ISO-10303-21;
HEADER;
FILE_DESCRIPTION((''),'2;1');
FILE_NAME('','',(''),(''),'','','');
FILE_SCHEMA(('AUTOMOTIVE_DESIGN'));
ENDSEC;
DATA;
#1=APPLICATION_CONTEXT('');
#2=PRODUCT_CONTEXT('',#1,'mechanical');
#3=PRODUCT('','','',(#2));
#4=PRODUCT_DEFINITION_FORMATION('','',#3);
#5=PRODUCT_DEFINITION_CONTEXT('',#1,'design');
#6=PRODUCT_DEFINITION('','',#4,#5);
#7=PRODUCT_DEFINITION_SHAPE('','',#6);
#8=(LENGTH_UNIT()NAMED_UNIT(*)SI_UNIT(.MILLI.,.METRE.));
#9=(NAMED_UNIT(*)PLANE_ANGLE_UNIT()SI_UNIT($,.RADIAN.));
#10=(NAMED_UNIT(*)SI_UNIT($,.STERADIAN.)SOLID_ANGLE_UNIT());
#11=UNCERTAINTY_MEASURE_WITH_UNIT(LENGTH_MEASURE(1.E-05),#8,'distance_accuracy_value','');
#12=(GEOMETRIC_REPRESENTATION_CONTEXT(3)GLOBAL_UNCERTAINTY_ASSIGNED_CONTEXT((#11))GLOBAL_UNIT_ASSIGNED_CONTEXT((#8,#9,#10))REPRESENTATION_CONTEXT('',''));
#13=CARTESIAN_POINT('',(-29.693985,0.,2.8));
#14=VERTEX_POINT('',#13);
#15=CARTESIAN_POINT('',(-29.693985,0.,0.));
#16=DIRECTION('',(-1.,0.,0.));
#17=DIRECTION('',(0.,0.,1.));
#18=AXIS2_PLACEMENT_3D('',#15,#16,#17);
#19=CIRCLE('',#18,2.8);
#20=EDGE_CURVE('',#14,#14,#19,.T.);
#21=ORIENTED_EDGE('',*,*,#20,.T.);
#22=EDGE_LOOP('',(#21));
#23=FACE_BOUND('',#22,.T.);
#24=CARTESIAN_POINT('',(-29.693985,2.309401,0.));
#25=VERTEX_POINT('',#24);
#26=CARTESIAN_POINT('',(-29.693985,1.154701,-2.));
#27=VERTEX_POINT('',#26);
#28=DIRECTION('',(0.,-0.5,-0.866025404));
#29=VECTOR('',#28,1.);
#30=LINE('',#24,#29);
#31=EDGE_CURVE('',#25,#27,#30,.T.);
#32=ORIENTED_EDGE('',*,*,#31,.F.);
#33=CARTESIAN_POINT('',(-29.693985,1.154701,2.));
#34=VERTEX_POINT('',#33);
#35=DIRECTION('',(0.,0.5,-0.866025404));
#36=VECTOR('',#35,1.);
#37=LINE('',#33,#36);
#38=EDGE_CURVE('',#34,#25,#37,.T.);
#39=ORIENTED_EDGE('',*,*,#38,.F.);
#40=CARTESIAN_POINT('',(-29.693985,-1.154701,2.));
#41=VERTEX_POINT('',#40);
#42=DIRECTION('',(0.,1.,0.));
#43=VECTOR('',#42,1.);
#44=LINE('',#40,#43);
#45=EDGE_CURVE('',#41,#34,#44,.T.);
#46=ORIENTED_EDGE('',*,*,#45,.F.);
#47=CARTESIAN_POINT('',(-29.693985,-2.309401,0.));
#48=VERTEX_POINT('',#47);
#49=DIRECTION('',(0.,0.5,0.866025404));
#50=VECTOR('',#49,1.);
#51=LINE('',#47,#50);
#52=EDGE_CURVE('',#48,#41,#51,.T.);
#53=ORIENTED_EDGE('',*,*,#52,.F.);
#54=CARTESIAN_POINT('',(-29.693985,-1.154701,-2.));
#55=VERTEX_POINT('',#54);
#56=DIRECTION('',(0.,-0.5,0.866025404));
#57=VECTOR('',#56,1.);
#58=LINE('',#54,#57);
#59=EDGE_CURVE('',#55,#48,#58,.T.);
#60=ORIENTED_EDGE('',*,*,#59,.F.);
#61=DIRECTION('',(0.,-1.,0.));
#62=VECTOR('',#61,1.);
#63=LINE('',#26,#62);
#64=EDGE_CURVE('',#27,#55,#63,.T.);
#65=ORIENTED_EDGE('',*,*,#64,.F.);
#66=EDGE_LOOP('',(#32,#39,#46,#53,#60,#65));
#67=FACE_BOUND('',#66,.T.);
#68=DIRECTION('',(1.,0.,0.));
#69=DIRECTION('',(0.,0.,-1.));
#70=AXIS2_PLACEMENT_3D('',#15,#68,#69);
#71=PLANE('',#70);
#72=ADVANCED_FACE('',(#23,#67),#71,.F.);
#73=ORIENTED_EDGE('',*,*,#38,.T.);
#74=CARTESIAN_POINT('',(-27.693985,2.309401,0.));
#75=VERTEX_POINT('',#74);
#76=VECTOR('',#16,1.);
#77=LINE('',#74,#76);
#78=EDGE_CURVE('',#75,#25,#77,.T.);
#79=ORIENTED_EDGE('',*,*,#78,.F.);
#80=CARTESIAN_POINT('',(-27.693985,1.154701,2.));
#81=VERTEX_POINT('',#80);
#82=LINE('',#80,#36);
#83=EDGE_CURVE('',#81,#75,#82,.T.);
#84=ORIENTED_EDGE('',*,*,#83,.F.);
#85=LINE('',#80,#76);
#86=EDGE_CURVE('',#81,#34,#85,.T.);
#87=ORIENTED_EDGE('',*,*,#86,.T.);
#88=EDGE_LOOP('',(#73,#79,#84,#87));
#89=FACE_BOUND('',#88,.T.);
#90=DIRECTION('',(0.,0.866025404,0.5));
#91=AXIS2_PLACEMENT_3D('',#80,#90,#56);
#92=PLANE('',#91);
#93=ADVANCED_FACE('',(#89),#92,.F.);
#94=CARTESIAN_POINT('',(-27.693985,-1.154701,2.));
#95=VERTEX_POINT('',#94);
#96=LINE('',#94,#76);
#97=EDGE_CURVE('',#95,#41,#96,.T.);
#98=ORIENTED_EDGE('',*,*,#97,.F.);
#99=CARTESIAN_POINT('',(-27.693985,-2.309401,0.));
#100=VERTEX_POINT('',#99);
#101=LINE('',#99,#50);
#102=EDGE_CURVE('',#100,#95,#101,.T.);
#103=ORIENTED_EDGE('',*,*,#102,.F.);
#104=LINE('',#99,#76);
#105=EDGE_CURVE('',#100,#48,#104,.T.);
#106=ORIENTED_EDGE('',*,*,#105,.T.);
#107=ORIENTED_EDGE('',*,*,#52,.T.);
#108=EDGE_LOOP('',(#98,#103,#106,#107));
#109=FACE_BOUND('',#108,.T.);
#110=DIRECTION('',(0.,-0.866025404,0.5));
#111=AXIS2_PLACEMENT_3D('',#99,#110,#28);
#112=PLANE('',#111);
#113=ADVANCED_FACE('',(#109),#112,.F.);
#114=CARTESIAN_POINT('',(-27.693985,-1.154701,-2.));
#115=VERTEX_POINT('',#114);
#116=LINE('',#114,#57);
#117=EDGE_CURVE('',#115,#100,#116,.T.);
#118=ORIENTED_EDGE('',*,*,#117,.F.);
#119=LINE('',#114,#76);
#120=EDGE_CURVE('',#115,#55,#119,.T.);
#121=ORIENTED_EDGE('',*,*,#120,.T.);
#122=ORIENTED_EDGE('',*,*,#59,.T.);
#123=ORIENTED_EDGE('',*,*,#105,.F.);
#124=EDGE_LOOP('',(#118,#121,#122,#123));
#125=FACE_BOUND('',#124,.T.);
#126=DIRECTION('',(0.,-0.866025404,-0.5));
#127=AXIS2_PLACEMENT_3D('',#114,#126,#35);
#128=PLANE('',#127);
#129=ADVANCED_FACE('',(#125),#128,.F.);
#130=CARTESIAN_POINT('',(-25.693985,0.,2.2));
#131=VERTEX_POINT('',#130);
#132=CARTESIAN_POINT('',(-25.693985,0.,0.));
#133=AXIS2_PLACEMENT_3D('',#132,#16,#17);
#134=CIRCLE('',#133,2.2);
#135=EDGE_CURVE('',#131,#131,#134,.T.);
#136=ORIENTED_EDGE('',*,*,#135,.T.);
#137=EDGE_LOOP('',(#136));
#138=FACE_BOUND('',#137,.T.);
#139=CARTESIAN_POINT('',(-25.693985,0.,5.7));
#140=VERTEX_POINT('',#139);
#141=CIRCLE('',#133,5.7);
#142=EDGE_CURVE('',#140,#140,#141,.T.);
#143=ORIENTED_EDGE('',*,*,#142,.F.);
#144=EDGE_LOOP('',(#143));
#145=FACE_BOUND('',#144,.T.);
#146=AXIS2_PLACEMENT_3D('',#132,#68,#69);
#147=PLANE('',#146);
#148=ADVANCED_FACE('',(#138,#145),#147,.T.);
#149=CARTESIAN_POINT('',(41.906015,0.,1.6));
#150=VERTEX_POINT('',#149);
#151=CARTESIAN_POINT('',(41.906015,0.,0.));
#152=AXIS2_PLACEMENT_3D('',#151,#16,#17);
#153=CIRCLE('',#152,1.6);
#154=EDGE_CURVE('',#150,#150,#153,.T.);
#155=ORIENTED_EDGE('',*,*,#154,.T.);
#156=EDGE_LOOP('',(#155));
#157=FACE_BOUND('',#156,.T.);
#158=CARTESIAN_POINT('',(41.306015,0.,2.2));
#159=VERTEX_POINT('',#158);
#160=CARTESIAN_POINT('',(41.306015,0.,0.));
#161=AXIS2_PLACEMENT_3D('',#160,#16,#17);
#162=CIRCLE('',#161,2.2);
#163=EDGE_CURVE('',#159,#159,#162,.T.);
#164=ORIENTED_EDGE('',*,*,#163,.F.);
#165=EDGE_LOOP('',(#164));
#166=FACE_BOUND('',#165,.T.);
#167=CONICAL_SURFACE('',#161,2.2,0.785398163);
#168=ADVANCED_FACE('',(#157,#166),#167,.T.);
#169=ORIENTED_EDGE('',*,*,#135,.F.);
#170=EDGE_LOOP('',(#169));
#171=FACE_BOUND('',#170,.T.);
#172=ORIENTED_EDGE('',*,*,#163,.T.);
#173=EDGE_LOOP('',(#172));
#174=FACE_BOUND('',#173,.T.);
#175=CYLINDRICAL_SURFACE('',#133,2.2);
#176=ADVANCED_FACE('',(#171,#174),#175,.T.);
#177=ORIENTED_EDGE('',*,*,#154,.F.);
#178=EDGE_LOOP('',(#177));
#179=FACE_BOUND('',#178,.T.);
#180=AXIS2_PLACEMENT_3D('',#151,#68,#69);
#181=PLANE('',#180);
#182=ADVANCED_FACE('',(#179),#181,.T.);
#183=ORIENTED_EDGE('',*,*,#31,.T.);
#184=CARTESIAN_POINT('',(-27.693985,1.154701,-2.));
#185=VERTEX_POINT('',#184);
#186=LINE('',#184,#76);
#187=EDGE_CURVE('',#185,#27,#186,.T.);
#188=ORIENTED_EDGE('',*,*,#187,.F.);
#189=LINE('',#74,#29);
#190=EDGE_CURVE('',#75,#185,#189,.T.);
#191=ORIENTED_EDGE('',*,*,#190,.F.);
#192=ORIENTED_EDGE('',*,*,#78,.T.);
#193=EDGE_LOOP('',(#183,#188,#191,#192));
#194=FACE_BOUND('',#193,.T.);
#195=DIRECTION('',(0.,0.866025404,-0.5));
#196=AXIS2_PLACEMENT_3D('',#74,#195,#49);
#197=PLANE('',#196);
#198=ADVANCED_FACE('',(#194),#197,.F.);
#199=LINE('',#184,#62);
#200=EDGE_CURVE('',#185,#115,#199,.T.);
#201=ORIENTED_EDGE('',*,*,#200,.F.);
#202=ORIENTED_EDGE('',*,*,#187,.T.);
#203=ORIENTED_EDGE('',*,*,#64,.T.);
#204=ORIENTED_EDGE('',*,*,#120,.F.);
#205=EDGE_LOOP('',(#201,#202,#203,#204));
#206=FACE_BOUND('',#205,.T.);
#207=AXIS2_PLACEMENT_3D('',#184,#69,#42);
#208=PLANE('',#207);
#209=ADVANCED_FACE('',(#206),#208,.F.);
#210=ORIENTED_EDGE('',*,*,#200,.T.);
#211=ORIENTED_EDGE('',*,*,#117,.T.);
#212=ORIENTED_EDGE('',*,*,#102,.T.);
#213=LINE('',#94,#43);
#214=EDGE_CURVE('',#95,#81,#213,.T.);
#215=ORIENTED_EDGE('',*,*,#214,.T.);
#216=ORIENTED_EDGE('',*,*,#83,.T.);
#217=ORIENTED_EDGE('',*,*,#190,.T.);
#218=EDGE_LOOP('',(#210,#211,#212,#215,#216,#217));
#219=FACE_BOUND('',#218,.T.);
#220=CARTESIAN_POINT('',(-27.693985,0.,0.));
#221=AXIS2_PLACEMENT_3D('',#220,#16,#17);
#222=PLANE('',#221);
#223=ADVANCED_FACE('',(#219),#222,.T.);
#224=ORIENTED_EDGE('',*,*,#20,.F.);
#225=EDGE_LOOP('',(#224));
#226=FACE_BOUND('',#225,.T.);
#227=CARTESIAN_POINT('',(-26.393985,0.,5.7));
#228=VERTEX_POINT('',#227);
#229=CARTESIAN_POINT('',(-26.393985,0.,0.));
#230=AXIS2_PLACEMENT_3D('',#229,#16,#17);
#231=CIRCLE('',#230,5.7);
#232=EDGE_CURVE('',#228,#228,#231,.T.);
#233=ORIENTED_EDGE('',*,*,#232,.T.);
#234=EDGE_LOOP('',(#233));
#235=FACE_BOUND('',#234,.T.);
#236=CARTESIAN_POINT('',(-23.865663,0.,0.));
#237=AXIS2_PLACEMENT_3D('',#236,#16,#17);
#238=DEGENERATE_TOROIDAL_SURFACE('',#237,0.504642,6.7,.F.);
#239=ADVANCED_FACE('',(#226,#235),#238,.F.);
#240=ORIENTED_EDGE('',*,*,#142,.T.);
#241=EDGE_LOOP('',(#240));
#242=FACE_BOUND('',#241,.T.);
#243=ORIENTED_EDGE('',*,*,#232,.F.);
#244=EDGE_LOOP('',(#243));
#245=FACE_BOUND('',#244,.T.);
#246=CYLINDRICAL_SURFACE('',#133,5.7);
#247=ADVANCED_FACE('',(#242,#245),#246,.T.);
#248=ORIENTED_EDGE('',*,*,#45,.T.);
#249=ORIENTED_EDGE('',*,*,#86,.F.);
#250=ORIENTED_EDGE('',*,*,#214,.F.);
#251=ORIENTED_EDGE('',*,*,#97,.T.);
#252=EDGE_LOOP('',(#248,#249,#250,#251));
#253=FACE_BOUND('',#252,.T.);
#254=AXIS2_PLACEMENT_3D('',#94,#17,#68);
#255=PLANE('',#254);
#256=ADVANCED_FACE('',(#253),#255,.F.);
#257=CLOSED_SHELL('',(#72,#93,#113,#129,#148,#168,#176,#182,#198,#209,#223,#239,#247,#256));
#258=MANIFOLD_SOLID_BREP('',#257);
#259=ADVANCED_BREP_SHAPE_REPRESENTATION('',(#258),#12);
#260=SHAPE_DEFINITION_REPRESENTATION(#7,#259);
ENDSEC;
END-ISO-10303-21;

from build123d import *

# Parameters (mm, degrees)
SKETCH1_W          = 33.5
SKETCH1_H          = 1.1
CUT_EXTRUDE1_DEPTH = 1
SCALE1_SCALE       = 2


with BuildPart() as part:
    # Sketch1 → Revolve1 (revolve)
    with BuildSketch(Plane.XY):
        with Locations((4.269842451, 0.55)):
            Rectangle(SKETCH1_W, SKETCH1_H)
        with BuildLine():
            Line((-12.830157549, 0), (-12.830157549, 2.85))
            ThreePointArc((-12.830157549, 2.85), (-13.77738043, 2.26408121), (-14.480157549, 1.4))
            Line((-14.480157549, 1.4), (-14.480157549, 0))
            Line((-14.480157549, 0), (-12.830157549, 0))
        make_face()
        Polygon((-12.480157549, 1.1), (-12.480157549, 2.85), (-12.830157549, 2.85), (-12.830157549, 0), (-12.480157549, 0), align=None)
        Polygon((21.319842451, 0.8), (21.019842451, 1.1), (21.019842451, 0), (21.319842451, 0), align=None)
    revolve(axis=Axis((-12.480157549, 0, 0), (1, 0, 0)))

    # Sketch2 → Cut-Extrude1 (cut)
    with BuildSketch(Plane.ZY.offset(14.480157549)):
        Polygon((0, 1.154700538), (-1, 0.577350269), (-1, -0.577350269), (0, -1.154700538), (1, -0.577350269), (1, 0.577350269), align=None)
    extrude(amount=-CUT_EXTRUDE1_DEPTH, mode=Mode.SUBTRACT)


with BuildPart() as part_1:
    # Scale1: scaled about (0.733669991, 0, 0)
    add(part.part.scale(SCALE1_SCALE).moved(Location((-0.733669991, 0, 0))))


solid = part_1.part
